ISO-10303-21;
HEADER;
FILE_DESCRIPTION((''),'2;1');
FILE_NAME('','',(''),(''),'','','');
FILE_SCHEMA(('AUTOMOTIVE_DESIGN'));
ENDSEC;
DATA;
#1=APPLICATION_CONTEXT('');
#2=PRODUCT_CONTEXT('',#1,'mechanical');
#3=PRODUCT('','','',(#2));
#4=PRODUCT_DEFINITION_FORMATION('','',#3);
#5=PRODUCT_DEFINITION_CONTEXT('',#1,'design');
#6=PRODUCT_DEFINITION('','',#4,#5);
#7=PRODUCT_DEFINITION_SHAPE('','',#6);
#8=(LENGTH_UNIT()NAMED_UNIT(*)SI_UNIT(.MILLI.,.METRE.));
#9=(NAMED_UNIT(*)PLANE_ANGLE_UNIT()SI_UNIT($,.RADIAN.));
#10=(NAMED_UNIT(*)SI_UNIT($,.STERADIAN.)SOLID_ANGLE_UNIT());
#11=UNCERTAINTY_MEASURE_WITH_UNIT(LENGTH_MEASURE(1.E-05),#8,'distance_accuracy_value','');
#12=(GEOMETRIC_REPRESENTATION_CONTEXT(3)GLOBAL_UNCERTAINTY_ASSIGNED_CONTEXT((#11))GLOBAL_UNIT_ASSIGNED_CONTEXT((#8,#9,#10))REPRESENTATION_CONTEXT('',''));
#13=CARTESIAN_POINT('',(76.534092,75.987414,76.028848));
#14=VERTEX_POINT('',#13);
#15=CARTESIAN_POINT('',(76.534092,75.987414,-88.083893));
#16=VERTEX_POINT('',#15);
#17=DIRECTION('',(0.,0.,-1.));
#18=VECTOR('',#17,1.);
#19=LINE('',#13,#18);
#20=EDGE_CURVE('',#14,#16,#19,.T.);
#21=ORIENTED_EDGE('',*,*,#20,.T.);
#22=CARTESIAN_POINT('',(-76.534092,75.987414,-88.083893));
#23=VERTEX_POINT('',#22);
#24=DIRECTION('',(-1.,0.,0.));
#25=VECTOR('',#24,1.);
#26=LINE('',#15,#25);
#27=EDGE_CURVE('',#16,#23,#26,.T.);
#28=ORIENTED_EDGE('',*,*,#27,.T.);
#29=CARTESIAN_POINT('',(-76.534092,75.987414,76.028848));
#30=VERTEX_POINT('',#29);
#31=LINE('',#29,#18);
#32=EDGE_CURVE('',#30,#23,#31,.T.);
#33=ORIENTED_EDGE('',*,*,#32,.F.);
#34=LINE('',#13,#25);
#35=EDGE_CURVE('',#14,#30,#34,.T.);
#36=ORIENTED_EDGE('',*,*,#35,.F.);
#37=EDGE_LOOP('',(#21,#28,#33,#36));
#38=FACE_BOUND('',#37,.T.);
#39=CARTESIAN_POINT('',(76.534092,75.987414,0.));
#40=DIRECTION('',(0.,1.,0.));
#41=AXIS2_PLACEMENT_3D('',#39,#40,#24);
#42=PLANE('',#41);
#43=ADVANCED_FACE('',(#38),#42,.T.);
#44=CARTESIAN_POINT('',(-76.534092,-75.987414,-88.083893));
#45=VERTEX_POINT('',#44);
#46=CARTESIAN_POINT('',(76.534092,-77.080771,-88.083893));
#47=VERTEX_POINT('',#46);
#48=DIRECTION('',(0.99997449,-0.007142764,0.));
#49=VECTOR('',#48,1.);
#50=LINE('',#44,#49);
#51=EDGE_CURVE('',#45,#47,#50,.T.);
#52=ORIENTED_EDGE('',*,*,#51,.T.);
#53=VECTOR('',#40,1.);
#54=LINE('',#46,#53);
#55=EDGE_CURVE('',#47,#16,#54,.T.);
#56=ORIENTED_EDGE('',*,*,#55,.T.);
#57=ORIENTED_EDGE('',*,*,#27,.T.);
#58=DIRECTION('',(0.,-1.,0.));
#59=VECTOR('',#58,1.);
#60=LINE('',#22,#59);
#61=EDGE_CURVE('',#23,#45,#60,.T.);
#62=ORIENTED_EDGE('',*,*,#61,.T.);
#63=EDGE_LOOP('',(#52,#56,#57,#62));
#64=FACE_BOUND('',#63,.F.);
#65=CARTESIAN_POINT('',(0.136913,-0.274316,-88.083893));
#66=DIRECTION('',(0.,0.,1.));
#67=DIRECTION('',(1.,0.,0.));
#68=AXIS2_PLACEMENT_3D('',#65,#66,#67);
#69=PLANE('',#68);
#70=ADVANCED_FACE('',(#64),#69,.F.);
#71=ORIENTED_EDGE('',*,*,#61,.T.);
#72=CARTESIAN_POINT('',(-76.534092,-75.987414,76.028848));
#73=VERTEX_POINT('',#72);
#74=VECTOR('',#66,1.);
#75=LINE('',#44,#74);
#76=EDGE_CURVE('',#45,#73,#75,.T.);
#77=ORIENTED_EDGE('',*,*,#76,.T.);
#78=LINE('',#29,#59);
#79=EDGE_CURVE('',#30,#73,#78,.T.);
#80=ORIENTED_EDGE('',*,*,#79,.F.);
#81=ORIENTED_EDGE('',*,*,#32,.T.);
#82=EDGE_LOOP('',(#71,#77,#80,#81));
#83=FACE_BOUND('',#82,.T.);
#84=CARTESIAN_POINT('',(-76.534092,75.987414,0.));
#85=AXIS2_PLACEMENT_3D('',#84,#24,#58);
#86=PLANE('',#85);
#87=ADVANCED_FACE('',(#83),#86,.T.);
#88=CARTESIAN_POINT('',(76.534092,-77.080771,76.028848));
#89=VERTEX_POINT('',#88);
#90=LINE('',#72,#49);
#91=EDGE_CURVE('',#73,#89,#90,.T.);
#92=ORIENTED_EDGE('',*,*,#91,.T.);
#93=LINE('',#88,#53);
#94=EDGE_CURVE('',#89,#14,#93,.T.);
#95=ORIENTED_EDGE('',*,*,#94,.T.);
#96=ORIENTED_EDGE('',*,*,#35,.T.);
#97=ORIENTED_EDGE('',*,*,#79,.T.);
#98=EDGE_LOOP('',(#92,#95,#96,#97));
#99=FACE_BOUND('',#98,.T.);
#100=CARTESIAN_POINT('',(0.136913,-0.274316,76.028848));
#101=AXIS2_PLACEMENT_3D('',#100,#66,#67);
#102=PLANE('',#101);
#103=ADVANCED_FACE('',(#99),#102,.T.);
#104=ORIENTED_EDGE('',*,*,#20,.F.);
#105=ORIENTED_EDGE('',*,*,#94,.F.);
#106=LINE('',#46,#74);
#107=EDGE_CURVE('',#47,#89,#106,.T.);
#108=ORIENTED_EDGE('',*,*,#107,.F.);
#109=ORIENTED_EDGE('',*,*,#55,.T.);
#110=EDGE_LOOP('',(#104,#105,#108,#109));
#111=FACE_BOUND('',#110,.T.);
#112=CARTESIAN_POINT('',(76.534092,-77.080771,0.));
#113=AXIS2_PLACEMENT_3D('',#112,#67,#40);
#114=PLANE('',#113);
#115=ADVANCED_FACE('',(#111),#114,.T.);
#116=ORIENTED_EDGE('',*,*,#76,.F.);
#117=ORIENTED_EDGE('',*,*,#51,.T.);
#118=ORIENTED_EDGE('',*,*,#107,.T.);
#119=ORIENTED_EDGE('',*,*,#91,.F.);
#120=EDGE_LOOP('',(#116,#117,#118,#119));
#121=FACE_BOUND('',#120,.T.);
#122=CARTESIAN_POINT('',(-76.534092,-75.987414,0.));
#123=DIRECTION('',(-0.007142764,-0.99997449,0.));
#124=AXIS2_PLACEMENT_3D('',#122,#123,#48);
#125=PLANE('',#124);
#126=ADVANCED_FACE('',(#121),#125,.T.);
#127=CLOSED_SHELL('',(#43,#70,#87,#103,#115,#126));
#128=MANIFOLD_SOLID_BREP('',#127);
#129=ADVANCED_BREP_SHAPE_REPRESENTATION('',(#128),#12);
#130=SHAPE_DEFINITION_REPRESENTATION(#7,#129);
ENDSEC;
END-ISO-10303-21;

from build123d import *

# Parameters (mm, degrees)
F1_DEPTH = 25.4
F2_DEPTH = 50.6288483739
F3_DEPTH = 88.0838930607


with BuildPart() as f1:
    # F0 (on Top) → F1 (new body)
    with BuildSketch(Plane.XY):
        Polygon((-76.5340924263, 75.9874135256), (-76.5340924263, -75.9874135256), (76.5340924263, -77.080771327), (76.5340924263, 75.9874135256), align=None)
    extrude(amount=F1_DEPTH)

    # F2 (add): a face of the model
    f2_faces = [f1.faces().sort_by_distance(p)[0] for p in [
        (0.0914397246, -0.2736660249, 25.4),
    ]]
    extrude(f2_faces, amount=F2_DEPTH)

    # F3 (add): a face of the model
    f3_faces = [f1.faces().sort_by_distance(p)[0] for p in [
        (0.0914397246, -0.2736660249, 0),
    ]]
    extrude(f3_faces, amount=F3_DEPTH)


solid = f1.part
